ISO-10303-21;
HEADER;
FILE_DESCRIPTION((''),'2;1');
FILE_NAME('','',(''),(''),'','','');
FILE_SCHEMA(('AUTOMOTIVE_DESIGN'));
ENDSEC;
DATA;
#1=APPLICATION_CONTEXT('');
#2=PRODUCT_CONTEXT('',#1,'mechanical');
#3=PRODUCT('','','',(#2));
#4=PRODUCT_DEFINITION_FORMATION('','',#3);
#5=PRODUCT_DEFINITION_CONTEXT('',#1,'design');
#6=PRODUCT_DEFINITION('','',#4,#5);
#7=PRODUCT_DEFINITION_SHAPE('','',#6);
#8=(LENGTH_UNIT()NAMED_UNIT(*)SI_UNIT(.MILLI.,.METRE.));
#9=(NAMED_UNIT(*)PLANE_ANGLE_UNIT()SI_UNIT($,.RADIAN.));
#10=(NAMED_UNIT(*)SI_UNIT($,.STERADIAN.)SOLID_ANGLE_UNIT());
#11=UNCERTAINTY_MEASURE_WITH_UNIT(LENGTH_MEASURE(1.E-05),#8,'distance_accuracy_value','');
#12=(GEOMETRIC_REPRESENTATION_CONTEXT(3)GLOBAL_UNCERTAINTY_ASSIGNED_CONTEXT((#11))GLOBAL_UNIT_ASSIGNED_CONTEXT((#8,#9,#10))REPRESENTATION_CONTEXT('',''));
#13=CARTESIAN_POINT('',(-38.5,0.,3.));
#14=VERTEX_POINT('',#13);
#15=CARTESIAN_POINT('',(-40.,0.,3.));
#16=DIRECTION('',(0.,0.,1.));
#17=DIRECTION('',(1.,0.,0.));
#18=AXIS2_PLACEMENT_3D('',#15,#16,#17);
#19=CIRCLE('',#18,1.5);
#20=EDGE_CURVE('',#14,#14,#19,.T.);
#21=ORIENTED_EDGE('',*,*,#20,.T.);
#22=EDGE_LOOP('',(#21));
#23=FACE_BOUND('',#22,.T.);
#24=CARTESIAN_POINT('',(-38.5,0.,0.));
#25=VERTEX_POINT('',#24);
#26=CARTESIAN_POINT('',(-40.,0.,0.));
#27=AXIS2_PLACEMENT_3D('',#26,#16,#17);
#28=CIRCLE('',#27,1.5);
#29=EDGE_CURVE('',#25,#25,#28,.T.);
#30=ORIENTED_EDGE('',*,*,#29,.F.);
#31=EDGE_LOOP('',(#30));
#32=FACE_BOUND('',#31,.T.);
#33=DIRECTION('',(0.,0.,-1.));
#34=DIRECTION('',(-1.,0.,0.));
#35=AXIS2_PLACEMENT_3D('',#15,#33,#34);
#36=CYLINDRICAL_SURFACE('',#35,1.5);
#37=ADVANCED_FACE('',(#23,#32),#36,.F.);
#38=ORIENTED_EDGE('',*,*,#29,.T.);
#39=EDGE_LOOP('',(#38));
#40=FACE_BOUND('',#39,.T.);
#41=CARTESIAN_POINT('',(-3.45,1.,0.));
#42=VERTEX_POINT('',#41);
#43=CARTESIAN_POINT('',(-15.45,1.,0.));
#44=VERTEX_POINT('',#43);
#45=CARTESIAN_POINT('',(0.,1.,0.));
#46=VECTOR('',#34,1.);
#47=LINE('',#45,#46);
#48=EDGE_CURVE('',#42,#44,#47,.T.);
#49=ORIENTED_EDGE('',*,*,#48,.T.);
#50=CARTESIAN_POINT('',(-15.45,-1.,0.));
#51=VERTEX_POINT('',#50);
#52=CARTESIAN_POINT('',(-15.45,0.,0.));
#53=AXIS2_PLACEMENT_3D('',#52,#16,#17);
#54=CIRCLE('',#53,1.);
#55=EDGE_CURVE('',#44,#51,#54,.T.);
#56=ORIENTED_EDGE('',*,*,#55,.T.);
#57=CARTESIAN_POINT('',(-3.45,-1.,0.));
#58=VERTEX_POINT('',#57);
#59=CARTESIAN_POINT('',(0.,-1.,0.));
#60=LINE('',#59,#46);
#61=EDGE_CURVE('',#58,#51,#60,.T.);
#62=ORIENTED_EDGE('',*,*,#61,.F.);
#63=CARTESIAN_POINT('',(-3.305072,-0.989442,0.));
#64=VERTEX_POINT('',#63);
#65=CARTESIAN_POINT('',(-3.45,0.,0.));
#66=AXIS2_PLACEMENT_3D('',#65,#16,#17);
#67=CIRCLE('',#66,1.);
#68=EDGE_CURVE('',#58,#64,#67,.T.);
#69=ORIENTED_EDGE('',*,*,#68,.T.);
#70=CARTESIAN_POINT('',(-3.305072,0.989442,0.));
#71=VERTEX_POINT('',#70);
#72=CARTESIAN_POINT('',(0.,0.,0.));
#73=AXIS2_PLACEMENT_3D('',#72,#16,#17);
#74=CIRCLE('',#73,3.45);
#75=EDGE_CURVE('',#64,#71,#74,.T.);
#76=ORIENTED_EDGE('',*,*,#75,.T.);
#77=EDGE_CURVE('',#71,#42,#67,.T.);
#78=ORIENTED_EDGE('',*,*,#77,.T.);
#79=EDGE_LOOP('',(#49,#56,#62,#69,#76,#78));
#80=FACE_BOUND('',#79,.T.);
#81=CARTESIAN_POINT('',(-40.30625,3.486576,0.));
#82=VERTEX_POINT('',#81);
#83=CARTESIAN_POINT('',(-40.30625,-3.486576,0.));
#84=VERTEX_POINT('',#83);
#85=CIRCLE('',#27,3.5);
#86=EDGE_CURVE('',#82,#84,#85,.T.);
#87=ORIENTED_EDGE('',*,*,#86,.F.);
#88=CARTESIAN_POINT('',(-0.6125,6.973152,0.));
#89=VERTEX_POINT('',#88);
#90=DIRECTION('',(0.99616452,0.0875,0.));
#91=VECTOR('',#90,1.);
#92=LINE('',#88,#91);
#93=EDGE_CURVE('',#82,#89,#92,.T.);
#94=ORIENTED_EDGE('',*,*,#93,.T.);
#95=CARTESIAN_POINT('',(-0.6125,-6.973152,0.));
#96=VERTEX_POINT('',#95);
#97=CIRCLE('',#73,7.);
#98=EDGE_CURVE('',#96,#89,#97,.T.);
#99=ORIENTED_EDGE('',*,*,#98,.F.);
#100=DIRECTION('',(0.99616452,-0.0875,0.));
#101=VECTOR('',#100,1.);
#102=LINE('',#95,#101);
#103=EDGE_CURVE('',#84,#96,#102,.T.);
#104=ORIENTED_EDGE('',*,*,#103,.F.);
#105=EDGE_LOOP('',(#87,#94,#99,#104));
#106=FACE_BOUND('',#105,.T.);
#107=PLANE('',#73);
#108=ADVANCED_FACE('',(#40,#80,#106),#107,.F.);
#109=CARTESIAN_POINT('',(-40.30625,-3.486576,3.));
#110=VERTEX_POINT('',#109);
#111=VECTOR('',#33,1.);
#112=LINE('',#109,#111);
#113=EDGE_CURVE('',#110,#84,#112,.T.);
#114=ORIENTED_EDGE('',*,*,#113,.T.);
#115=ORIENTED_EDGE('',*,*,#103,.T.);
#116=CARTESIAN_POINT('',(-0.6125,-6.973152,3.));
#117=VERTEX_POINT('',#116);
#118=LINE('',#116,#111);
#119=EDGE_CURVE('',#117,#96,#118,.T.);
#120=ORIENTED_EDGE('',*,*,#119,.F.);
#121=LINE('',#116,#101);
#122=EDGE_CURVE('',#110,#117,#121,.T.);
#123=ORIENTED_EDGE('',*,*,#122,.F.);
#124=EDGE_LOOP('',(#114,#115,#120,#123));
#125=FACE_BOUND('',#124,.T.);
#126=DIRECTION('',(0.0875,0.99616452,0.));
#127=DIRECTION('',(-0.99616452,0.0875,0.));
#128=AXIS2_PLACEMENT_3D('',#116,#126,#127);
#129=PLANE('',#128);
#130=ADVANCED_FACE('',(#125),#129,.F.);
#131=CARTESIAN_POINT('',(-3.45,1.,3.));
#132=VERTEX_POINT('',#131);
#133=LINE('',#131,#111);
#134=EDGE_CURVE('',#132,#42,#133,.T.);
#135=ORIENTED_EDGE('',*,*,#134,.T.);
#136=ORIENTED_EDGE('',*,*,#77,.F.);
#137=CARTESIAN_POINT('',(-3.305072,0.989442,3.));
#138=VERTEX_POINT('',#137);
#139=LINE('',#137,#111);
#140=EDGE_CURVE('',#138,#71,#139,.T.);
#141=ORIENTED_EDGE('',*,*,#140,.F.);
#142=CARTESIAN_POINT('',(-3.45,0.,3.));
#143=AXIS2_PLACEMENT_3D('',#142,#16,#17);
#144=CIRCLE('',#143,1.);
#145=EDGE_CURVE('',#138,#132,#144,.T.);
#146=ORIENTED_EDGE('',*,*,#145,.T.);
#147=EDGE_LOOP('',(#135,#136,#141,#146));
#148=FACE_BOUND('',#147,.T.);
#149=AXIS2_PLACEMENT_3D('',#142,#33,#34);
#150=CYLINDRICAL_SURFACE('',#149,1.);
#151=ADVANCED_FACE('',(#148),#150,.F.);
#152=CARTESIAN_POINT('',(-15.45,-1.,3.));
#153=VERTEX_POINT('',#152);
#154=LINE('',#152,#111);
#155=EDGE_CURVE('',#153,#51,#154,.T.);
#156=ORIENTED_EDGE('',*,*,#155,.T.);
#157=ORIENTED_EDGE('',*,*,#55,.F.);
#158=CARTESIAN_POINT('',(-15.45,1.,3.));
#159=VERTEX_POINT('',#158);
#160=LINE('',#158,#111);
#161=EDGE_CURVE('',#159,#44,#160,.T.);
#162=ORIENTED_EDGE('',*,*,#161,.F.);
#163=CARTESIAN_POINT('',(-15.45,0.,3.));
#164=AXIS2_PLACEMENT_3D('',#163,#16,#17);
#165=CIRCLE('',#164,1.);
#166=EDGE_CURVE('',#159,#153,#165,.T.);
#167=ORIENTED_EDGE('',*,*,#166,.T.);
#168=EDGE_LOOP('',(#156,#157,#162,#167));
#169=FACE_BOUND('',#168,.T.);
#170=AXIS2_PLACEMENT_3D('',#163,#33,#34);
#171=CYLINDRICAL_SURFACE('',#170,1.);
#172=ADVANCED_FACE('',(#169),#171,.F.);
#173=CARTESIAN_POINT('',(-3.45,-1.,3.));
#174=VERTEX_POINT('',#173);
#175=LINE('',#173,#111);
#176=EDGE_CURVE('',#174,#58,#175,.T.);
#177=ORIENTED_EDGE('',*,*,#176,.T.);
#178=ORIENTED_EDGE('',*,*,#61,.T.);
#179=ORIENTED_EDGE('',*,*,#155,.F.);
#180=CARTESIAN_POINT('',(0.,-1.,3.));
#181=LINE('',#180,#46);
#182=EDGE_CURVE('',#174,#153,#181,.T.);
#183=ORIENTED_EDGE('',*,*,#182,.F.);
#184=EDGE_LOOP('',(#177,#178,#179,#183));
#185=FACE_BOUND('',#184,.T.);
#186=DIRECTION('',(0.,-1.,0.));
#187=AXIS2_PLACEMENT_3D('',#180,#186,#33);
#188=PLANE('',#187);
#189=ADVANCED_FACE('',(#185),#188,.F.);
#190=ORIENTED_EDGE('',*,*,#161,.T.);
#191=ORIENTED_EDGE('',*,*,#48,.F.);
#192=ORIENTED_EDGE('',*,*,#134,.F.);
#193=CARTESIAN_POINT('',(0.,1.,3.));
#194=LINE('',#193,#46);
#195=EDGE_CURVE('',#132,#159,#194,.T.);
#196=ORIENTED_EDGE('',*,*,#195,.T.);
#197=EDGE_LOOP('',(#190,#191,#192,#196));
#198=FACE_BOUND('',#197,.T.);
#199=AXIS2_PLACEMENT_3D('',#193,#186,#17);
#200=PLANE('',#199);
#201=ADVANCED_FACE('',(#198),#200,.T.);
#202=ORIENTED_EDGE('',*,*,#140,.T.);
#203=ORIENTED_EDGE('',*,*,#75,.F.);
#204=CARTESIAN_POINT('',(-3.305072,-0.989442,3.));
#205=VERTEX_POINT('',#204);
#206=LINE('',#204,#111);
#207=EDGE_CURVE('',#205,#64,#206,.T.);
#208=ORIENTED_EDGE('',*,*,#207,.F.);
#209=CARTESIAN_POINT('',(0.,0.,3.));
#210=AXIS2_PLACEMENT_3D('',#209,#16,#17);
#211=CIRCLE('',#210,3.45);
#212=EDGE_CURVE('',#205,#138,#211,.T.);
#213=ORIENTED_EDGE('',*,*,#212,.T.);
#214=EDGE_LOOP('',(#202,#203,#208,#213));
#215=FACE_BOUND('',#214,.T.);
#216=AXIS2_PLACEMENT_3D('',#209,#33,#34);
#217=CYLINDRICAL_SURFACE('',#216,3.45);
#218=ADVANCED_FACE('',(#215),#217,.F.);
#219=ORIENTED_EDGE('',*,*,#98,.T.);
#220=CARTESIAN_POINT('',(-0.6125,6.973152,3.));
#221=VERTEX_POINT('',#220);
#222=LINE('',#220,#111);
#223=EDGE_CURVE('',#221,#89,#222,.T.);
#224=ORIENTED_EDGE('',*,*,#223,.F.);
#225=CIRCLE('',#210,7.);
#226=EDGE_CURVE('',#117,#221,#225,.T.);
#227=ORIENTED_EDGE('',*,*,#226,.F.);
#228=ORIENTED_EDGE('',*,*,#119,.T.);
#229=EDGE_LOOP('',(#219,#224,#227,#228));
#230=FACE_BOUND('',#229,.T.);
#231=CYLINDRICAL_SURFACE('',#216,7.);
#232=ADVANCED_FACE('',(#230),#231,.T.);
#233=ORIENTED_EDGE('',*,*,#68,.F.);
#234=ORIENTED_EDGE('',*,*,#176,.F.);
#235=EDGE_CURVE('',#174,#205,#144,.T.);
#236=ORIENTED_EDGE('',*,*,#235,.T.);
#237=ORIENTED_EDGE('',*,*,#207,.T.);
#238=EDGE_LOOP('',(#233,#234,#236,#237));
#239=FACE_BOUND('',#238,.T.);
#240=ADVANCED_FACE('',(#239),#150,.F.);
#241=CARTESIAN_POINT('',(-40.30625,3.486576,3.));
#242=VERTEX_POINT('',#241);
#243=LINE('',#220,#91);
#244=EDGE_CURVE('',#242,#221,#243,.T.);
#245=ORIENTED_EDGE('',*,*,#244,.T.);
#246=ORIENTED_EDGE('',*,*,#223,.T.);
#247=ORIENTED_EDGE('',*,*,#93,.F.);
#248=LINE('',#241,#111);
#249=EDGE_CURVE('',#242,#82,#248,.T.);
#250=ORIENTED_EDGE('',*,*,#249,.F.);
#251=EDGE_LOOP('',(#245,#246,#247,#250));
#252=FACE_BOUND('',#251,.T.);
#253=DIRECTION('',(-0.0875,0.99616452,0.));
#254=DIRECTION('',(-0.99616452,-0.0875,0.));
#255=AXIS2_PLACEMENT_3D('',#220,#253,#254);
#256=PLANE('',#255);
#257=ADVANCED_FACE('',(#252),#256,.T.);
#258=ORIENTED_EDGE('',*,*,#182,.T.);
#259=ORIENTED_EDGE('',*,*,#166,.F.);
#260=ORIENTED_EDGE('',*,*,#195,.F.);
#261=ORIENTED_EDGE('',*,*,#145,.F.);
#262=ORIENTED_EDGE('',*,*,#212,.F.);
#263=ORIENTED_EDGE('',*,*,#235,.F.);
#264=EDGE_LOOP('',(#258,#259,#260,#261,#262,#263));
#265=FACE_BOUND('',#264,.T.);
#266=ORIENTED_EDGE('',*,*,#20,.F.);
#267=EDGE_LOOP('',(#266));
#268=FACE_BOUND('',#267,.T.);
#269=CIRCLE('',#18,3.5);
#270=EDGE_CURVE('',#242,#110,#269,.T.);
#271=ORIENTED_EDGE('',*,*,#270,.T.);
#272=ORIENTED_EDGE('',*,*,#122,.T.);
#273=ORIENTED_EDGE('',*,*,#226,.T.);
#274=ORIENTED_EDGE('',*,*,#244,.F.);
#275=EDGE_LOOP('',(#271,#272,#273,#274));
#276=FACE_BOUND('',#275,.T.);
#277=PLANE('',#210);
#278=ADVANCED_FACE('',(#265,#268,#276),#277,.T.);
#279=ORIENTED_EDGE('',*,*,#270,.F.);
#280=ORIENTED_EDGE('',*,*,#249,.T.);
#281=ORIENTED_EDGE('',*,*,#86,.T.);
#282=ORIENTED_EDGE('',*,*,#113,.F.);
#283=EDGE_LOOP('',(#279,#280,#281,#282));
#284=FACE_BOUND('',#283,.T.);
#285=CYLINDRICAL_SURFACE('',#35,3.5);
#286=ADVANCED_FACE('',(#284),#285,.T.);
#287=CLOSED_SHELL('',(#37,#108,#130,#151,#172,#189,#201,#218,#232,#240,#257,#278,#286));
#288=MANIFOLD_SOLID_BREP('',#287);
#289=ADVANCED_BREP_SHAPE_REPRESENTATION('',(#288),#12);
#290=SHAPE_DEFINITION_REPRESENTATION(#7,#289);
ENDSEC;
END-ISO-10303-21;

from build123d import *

# Parameters (mm, degrees)
SKETCH1_R           = 1.5
BOSS_EXTRUDE1_DEPTH = 3


with BuildPart() as part:
    # Sketch1 → Boss-Extrude1 (new body)
    with BuildSketch(Plane.XY):
        with BuildLine():
            Line((-0.6125, 6.973151637), (-40.30625, 3.486575818))
            ThreePointArc((-40.30625, 3.486575818), (-43.5, 0), (-40.30625, -3.486575818))
            Line((-40.30625, -3.486575818), (-0.6125, -6.973151637))
            ThreePointArc((-0.6125, -6.973151637), (7, 0), (-0.6125, 6.973151637))
        make_face()
        with Locations((-40, 0)):
            Circle(SKETCH1_R, mode=Mode.SUBTRACT)
        with BuildLine():
            ThreePointArc((-3.305072464, -0.989442272), (-3.377344208, -0.997357075), (-3.45, -1))
            Line((-3.45, -1), (-15.45, -1))
            ThreePointArc((-15.45, -1), (-16.45, 0), (-15.45, 1))
            Line((-15.45, 1), (-3.45, 1))
            ThreePointArc((-3.45, 1), (-3.377344208, 0.997357075), (-3.305072464, 0.989442272))
            ThreePointArc((-3.305072464, 0.989442272), (0.5, 3.413575838), (3.45, 0))
            ThreePointArc((3.45, 0), (0.5, -3.413575838), (-3.305072464, -0.989442272))
        make_face(mode=Mode.SUBTRACT)
    extrude(amount=BOSS_EXTRUDE1_DEPTH)


solid = part.part
